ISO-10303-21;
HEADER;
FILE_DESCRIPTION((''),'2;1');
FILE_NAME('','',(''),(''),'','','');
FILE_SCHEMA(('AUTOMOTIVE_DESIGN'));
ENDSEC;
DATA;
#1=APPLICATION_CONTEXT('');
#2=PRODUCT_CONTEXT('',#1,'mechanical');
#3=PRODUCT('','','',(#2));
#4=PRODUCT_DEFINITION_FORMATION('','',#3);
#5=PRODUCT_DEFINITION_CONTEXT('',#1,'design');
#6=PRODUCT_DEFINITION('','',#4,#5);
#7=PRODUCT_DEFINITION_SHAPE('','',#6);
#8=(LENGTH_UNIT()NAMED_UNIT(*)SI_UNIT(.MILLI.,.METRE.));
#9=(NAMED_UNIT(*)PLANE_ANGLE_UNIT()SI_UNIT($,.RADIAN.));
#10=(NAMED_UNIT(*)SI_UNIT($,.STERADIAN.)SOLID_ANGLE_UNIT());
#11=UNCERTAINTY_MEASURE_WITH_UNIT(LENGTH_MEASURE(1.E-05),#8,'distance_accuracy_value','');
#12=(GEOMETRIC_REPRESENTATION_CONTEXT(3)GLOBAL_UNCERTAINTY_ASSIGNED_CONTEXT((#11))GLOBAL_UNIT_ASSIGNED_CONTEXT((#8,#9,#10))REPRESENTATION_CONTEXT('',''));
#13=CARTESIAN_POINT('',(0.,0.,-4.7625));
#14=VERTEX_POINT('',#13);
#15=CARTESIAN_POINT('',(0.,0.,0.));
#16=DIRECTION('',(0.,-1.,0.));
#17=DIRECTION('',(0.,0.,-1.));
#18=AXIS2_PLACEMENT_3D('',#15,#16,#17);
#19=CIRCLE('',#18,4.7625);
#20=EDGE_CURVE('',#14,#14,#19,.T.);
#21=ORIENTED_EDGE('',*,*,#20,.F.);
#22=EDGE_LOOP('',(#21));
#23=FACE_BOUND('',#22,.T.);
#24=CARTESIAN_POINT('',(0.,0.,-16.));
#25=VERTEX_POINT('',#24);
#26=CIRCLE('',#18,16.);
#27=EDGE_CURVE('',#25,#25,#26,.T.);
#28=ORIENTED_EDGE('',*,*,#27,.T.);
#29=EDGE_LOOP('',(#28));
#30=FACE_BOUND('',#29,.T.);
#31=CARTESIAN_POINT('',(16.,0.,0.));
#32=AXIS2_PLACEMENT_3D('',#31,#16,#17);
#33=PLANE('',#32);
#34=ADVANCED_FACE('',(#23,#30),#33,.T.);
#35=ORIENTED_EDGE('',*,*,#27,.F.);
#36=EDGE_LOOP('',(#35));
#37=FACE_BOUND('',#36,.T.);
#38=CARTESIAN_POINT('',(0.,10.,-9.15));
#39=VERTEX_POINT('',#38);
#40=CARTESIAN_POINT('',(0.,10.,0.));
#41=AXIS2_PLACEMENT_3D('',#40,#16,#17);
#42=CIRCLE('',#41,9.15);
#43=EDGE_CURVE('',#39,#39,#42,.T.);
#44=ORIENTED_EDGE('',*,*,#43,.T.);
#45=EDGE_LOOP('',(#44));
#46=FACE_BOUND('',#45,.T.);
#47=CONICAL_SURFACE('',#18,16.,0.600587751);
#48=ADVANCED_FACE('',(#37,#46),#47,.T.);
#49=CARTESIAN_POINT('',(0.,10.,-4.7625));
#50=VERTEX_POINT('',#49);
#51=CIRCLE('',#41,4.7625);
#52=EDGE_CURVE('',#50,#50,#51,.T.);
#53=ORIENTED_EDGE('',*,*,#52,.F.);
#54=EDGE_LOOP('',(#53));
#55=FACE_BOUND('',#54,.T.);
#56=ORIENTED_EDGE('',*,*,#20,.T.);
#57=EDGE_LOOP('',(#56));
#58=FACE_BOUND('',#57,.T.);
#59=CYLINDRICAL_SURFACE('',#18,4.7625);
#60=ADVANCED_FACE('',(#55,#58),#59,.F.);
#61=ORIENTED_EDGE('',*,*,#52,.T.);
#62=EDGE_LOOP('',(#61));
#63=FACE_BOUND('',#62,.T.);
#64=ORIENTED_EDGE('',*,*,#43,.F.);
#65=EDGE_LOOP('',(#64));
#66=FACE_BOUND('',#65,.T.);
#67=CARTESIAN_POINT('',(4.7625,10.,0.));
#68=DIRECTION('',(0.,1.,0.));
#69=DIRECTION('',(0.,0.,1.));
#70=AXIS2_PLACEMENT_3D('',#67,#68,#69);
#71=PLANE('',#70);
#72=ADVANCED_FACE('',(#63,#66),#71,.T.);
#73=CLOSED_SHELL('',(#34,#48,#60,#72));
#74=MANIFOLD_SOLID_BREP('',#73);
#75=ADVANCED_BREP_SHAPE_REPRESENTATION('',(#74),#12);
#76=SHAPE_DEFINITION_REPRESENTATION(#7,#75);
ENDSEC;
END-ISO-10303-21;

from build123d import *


with BuildPart() as part:
    # Sketch1 → Revolve1 (revolve)
    with BuildSketch(Plane.XY):
        Polygon((4.7625, 0), (4.7625, 10), (9.15, 10), (16, 0), align=None)
    revolve(axis=Axis((0, 0, 0), (0, 1, 0)))


solid = part.part
